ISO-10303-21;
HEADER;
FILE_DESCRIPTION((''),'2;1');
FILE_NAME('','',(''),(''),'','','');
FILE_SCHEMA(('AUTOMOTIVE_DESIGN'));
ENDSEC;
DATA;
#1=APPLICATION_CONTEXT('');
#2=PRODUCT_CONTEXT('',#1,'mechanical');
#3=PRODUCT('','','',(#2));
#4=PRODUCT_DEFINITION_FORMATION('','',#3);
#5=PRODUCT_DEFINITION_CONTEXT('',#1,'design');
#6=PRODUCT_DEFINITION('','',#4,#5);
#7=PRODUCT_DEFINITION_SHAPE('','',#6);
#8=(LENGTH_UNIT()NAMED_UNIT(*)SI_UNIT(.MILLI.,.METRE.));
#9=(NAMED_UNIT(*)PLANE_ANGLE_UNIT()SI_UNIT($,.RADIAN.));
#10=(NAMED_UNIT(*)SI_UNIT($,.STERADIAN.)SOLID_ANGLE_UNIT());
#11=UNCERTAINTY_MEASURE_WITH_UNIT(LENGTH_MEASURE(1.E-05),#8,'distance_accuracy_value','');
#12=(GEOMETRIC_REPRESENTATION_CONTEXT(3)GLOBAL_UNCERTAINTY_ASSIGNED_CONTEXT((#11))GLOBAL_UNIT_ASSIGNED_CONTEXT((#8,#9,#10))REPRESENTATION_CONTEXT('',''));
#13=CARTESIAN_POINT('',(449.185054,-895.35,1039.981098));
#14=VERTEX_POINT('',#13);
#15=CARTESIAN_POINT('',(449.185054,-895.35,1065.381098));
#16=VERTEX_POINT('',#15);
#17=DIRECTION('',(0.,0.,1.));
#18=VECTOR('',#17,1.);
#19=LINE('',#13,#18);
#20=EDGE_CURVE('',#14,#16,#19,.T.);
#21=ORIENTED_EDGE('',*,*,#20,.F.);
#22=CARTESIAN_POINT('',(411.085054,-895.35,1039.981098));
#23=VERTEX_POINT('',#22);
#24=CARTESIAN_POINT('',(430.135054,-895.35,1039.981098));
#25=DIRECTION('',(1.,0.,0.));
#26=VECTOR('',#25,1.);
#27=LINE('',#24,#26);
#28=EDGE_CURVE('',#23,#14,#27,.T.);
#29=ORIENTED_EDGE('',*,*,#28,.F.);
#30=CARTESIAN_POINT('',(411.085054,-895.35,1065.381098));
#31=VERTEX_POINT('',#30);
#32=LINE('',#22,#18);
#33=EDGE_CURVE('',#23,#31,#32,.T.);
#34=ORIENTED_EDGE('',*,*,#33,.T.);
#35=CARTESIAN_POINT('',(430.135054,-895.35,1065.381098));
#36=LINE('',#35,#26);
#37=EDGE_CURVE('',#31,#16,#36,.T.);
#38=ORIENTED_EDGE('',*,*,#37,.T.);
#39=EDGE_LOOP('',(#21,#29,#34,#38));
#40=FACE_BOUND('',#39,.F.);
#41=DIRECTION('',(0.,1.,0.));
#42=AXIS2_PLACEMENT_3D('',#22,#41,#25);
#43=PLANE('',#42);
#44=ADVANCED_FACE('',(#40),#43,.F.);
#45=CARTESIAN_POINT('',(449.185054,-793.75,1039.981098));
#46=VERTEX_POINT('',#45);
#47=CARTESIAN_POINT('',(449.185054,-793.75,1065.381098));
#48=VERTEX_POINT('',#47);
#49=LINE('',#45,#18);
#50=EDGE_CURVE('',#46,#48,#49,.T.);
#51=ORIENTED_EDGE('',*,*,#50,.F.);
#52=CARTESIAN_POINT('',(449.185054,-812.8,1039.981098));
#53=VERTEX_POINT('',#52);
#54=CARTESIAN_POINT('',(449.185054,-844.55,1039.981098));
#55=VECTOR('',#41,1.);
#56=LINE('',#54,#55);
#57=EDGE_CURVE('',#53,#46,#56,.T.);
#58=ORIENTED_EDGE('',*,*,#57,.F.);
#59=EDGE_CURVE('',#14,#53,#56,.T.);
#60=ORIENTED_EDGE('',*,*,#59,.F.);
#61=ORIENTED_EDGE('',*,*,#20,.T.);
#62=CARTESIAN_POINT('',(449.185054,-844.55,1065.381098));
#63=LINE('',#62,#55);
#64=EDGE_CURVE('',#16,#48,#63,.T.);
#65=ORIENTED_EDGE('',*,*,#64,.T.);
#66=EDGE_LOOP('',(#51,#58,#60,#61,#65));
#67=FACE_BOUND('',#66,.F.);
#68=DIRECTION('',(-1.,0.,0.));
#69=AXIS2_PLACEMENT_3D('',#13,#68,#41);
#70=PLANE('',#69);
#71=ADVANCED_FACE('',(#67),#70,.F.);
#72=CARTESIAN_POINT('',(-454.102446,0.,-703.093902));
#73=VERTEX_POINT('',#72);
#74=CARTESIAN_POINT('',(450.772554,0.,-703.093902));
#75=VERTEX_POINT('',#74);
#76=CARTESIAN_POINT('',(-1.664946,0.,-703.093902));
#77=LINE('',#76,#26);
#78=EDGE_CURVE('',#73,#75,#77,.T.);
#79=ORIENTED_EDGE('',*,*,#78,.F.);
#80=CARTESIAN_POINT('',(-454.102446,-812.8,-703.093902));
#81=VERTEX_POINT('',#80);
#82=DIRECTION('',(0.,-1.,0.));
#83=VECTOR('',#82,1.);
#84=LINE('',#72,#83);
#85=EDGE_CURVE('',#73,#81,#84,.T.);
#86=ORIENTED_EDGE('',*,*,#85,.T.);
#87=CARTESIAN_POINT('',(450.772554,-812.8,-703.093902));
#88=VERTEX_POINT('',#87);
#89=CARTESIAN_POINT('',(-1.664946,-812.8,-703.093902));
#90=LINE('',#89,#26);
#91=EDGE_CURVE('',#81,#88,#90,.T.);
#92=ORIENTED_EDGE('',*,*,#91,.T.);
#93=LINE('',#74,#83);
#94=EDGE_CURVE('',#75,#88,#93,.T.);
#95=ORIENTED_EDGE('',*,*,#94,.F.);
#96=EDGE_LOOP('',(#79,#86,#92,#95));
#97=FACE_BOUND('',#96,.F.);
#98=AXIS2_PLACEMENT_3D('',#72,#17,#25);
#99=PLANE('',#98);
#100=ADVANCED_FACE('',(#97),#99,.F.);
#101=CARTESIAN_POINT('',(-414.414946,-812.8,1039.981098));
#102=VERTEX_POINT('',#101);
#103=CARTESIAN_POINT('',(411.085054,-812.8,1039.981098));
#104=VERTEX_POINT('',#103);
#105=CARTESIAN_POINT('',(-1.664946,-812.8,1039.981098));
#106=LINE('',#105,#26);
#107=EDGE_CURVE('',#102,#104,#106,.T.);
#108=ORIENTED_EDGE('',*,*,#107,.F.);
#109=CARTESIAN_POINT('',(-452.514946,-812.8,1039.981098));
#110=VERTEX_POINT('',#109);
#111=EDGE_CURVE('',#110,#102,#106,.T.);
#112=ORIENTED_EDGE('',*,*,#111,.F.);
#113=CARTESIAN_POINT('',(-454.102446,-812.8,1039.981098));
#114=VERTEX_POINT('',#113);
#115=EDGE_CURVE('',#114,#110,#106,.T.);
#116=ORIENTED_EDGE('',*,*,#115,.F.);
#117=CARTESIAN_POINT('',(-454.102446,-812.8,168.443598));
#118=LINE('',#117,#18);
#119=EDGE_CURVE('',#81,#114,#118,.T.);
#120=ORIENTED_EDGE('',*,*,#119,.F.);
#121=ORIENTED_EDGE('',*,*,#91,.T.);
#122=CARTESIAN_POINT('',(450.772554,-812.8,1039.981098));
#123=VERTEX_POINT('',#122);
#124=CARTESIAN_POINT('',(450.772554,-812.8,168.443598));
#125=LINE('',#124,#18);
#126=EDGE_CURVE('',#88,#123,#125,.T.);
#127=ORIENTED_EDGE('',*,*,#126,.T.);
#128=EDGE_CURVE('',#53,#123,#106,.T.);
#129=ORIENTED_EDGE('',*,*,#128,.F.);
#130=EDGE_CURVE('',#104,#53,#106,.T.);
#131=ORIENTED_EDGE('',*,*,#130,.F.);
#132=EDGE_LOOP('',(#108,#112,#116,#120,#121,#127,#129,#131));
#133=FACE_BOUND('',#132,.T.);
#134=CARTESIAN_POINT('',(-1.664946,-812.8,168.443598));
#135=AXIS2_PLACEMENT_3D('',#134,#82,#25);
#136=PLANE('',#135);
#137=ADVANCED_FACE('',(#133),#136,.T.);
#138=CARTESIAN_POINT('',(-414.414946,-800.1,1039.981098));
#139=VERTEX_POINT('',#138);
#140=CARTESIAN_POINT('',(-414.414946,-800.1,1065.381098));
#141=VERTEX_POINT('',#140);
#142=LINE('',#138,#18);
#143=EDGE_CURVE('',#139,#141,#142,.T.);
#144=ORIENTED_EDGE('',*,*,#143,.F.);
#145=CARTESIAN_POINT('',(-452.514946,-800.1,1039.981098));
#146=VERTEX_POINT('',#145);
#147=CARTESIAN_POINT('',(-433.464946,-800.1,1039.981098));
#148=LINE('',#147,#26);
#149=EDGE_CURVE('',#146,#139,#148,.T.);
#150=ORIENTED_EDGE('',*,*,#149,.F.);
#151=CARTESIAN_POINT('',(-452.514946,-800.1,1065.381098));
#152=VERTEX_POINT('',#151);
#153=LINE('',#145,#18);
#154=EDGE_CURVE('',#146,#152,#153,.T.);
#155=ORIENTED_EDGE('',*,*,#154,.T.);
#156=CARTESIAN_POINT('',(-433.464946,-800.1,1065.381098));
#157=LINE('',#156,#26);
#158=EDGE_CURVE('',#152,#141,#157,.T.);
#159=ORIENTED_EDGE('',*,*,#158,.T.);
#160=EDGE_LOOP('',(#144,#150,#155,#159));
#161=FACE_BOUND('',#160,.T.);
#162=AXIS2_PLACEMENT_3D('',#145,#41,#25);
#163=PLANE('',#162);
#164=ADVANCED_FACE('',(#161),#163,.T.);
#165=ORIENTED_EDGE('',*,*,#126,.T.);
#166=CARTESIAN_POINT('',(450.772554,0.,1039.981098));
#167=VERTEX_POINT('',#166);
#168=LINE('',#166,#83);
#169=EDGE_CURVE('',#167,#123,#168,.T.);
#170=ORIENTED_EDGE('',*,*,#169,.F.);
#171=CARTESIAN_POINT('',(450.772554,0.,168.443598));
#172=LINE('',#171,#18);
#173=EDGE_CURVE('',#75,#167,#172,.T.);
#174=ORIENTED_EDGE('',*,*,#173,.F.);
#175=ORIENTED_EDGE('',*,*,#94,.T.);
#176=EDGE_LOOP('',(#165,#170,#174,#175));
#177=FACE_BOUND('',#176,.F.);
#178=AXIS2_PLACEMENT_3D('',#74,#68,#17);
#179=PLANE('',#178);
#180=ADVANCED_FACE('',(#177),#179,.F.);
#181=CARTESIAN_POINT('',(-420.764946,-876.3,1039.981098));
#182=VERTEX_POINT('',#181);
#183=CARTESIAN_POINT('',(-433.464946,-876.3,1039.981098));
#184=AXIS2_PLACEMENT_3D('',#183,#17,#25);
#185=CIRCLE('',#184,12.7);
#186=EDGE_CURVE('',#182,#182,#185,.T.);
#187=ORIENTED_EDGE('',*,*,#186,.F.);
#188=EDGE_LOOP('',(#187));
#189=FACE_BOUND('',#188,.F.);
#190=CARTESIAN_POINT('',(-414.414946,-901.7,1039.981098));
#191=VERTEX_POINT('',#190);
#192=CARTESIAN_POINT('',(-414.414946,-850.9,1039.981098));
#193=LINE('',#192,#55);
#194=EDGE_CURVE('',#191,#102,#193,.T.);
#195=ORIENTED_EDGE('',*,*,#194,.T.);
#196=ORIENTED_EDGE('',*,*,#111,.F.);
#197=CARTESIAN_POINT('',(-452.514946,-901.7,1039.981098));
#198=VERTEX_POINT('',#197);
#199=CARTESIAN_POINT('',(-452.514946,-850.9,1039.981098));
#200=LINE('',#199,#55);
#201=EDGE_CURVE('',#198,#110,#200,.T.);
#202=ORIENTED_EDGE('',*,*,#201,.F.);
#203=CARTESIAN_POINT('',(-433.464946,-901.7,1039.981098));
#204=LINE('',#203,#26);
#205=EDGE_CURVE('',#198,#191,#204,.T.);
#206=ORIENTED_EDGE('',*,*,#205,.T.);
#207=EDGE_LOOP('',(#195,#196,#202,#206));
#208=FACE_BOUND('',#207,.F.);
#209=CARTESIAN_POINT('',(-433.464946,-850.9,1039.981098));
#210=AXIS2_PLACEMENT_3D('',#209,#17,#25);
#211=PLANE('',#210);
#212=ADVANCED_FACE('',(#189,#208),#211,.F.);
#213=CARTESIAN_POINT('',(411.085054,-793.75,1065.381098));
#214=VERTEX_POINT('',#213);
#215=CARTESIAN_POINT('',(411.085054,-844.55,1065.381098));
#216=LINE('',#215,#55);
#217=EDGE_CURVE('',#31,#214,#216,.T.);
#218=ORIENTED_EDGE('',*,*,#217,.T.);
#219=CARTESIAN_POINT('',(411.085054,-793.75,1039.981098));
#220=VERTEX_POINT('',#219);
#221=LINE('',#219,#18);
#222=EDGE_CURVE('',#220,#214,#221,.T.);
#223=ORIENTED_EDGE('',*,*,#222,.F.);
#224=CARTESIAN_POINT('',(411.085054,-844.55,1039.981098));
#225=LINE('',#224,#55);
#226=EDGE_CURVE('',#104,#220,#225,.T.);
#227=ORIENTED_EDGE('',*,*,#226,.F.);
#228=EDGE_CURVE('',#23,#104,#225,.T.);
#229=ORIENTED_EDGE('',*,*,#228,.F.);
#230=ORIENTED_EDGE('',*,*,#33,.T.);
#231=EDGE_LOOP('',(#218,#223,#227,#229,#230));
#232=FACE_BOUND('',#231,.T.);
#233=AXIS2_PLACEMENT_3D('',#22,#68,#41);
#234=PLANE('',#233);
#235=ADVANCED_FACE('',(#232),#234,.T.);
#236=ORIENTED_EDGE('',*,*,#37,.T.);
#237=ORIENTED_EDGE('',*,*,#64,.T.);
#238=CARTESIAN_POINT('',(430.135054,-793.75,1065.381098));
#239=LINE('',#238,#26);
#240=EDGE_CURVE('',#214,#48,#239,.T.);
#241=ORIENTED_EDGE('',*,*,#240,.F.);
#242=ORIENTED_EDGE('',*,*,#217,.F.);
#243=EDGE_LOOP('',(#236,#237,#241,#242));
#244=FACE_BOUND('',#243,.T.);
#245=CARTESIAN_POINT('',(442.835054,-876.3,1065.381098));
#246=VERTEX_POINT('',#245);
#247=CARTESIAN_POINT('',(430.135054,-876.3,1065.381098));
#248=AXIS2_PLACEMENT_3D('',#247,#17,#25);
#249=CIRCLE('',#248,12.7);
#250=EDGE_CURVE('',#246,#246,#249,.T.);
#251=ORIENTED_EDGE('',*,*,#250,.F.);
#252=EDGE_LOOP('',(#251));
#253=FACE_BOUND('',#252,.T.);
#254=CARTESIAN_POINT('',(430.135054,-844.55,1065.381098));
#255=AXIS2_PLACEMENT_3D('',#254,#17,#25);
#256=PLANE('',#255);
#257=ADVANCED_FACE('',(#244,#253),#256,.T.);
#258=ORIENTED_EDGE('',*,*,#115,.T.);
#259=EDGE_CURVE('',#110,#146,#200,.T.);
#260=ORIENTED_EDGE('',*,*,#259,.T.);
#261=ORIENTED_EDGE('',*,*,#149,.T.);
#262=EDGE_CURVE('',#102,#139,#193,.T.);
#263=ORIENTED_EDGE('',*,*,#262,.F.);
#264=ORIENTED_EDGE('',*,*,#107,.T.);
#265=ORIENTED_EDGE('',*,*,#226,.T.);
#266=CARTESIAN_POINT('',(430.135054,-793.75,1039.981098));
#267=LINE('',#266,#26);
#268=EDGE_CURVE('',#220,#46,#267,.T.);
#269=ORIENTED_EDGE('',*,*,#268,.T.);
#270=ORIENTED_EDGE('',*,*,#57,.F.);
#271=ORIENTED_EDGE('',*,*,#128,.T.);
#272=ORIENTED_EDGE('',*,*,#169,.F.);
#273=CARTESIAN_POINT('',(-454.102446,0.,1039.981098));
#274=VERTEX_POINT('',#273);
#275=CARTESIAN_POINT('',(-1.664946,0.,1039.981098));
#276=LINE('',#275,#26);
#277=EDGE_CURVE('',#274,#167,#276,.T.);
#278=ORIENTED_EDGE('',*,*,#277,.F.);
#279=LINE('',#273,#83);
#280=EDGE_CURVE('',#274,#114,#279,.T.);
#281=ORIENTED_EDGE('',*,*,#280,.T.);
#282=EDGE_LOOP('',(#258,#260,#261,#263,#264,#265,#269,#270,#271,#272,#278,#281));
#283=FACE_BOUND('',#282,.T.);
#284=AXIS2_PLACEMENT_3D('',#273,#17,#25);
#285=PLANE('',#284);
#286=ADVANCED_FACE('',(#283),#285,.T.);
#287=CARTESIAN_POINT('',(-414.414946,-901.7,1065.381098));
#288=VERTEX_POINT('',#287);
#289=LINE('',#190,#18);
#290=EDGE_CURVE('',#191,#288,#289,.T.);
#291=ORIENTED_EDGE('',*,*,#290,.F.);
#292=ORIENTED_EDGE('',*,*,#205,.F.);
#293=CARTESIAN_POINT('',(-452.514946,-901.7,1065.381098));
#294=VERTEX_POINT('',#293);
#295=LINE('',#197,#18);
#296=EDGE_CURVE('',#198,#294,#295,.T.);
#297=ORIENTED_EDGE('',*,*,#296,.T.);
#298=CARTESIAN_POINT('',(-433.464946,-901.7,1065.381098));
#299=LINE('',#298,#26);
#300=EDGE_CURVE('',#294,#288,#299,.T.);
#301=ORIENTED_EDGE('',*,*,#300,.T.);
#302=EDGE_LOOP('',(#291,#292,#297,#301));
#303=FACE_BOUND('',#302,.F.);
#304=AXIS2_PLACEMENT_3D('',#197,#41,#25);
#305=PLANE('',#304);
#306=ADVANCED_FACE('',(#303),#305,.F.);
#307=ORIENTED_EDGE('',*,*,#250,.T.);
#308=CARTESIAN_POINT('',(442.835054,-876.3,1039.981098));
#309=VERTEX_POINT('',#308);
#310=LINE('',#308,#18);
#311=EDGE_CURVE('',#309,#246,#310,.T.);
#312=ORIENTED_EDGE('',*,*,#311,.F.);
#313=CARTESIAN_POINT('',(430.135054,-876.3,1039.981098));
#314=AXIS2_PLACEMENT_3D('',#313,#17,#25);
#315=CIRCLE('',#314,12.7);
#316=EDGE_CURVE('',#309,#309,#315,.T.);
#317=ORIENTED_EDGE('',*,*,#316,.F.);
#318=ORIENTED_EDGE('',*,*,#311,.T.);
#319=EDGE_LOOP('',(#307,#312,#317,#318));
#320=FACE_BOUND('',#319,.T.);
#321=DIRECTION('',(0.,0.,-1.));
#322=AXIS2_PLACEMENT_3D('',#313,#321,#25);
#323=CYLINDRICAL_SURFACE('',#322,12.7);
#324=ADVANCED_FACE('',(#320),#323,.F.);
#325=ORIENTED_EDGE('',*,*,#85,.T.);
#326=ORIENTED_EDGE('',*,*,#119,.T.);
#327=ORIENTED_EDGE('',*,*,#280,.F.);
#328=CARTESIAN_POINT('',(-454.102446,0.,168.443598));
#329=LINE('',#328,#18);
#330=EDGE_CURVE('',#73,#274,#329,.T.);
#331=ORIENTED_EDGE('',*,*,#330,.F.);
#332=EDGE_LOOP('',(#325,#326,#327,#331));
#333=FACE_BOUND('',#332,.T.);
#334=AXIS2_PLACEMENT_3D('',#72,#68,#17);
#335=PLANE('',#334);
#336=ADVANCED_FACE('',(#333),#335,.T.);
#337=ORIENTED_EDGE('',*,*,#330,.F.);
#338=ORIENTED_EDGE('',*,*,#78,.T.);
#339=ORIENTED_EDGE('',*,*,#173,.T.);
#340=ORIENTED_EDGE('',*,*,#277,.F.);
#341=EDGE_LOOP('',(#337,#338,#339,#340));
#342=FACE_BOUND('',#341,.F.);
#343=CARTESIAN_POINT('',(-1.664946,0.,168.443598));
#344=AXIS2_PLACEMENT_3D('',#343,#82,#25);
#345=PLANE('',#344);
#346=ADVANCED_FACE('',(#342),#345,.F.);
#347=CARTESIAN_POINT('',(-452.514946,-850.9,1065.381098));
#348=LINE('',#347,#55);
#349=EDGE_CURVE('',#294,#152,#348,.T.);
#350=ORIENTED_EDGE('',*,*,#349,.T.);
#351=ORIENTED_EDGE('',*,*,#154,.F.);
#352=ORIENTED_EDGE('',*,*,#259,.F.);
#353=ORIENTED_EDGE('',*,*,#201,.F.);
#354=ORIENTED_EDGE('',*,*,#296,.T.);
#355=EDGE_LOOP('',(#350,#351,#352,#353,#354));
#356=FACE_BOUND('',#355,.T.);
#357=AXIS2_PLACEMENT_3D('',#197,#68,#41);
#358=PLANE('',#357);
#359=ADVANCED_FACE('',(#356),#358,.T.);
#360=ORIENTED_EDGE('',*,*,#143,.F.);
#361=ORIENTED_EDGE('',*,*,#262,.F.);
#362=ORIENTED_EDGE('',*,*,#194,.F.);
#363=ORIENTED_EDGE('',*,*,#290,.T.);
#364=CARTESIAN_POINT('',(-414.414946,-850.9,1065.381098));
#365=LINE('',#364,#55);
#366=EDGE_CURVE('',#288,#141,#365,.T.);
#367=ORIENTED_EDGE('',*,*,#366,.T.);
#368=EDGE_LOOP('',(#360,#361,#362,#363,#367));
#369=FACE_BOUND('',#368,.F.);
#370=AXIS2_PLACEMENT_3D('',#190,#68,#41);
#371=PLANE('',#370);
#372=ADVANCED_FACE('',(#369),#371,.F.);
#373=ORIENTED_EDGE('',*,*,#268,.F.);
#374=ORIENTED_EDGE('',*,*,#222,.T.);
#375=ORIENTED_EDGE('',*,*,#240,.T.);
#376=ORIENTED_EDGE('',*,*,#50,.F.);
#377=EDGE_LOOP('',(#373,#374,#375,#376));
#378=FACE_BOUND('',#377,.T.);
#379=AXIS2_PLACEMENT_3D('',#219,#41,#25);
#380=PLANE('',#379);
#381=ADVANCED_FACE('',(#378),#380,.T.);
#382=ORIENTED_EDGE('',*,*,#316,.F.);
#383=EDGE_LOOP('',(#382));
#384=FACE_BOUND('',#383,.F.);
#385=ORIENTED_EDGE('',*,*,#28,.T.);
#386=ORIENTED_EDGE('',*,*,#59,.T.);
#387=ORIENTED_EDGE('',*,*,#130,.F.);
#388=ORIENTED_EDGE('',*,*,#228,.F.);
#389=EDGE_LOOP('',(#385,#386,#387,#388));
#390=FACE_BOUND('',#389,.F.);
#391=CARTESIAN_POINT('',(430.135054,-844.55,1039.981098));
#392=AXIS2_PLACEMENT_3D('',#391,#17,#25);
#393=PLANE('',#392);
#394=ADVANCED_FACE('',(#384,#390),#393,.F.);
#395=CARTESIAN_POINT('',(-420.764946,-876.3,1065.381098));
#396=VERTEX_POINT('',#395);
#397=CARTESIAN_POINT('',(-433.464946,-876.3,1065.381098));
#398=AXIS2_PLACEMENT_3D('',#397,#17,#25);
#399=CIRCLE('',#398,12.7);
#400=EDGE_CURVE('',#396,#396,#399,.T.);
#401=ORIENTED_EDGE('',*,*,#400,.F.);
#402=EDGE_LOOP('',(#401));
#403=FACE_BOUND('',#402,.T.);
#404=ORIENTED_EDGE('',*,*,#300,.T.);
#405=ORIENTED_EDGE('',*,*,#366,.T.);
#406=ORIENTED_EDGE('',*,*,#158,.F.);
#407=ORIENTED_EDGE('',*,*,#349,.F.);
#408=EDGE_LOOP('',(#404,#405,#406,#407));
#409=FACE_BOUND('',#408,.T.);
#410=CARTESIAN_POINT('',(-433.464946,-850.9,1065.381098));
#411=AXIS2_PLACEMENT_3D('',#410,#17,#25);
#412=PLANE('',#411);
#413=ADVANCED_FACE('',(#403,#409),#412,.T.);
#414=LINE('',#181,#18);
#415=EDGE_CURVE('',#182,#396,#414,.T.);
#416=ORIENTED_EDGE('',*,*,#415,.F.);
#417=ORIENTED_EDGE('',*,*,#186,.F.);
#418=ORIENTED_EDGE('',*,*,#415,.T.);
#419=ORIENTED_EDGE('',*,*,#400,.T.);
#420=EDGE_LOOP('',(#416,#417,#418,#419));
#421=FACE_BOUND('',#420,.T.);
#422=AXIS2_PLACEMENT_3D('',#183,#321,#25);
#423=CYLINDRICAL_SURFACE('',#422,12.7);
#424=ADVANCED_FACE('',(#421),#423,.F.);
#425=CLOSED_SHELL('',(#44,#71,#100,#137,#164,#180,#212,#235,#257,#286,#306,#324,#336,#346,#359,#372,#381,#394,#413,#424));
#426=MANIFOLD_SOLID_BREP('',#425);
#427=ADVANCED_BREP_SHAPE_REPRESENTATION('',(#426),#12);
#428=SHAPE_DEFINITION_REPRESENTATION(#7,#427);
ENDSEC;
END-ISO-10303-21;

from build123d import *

# Parameters (mm, degrees)
F0_W     = 904.875
F0_H     = 1743.075
F1_DEPTH = 812.8
F2_W     = 38.1
F2_H     = 101.6
F2_R     = 12.7
F3_DEPTH = 25.4


with BuildPart() as f1:
    # F0 (on Front) → F1 (new body)
    with BuildSketch(Plane.XZ):
        with Locations((-1.664946, 168.443598)):
            Rectangle(F0_W, F0_H)
    extrude(amount=F1_DEPTH)

    # F2 (on face) → F3 (join)
    with BuildSketch(Plane.XY.offset(1039.981098)):
        with Locations((-433.464946, -850.9)):
            Rectangle(F2_W, F2_H)
        with Locations((-433.464946, -876.3)):
            Circle(F2_R, mode=Mode.SUBTRACT)
        with Locations((430.135054, -844.55)):
            Rectangle(F2_W, F2_H)
        with Locations((430.135054, -876.3)):
            Circle(F2_R, mode=Mode.SUBTRACT)
    extrude(amount=F3_DEPTH)


solid = f1.part
